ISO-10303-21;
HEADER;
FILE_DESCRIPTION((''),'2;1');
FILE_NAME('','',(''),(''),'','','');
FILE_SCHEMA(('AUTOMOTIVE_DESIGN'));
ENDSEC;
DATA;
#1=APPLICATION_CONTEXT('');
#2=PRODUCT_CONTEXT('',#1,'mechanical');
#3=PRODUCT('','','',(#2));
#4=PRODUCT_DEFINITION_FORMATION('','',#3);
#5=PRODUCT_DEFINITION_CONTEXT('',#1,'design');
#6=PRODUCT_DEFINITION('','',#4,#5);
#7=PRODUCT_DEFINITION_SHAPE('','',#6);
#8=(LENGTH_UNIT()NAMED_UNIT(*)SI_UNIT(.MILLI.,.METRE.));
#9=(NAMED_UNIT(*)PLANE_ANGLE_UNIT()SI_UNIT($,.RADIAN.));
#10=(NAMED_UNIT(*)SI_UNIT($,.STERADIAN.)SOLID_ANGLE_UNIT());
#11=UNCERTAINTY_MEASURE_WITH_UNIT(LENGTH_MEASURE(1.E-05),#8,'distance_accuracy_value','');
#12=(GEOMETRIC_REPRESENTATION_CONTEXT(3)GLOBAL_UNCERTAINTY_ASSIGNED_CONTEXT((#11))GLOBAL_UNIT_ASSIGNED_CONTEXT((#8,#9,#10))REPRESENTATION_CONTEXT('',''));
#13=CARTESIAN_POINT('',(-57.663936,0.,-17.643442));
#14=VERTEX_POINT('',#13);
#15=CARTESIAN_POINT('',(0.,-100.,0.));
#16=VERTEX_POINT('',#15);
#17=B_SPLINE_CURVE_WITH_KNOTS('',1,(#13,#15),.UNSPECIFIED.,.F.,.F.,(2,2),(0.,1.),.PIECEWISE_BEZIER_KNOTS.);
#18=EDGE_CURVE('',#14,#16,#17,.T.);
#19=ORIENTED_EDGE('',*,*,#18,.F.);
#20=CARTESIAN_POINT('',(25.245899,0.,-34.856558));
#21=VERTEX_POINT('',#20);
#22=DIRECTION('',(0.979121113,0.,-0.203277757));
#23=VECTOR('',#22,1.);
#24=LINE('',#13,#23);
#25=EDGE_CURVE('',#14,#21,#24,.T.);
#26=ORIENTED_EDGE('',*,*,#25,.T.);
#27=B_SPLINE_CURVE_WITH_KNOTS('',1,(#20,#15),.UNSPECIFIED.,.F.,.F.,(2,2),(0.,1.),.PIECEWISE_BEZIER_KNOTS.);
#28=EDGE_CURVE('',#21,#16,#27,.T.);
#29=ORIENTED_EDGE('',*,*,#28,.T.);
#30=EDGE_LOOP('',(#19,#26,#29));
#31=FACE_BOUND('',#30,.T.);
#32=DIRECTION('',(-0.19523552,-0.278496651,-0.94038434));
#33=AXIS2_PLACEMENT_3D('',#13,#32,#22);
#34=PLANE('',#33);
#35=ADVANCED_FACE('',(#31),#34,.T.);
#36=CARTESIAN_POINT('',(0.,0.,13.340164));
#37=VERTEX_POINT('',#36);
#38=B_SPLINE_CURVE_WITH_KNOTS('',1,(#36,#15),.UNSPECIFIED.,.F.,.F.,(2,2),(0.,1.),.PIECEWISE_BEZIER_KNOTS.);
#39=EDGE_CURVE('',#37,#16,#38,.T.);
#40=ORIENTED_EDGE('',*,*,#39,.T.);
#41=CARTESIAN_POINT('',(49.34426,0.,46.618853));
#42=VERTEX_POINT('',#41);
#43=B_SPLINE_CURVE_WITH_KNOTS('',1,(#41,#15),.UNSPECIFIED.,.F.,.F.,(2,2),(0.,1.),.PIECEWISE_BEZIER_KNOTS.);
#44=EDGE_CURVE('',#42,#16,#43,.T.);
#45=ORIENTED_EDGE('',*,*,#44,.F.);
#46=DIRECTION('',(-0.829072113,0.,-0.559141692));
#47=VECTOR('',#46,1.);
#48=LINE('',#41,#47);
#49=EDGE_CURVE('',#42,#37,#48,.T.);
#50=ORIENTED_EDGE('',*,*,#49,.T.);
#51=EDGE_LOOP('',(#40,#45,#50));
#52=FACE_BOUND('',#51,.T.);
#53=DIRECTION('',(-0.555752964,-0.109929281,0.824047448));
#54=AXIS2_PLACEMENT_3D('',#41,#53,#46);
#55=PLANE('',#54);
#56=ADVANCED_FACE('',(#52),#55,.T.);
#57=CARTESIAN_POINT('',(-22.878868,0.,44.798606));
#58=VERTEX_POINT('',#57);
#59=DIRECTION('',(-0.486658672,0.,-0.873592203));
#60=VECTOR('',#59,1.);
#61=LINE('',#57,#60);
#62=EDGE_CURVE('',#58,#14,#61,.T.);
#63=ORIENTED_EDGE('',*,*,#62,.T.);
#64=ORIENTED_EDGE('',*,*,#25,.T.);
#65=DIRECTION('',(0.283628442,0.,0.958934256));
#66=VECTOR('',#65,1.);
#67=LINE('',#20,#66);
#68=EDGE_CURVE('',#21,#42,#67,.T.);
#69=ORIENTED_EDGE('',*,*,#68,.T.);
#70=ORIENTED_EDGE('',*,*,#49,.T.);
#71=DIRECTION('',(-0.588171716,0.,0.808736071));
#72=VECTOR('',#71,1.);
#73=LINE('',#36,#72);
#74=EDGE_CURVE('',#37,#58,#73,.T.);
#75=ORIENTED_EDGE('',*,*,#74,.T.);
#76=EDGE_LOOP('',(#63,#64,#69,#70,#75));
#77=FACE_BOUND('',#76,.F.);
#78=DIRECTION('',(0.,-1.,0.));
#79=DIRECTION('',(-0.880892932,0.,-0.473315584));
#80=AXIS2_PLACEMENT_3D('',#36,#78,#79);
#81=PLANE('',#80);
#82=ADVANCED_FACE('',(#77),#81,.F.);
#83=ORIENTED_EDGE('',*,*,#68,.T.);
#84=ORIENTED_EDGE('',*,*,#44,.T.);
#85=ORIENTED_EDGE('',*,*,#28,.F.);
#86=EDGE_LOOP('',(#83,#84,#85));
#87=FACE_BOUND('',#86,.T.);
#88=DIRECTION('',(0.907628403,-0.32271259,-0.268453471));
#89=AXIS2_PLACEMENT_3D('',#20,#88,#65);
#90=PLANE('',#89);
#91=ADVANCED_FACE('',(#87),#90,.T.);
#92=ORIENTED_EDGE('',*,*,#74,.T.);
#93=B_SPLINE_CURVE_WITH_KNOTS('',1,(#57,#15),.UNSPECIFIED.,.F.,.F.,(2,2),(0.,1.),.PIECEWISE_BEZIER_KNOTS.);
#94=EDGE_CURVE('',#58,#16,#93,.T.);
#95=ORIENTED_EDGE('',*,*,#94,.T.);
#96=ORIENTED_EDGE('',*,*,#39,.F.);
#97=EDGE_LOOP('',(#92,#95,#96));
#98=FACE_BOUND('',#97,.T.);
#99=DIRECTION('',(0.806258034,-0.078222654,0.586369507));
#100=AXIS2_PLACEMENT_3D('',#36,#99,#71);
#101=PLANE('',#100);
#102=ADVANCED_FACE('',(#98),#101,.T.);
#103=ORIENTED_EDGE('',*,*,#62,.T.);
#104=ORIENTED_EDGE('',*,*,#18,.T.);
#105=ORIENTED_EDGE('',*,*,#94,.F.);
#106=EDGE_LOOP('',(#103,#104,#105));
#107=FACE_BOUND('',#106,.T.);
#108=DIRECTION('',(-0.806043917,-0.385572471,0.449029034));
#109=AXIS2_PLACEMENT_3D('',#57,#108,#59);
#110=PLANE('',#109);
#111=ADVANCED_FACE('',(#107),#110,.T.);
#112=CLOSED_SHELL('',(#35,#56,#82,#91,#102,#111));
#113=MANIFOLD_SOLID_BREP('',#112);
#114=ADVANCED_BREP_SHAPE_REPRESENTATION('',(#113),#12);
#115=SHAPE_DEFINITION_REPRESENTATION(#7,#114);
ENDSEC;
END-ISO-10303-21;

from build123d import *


with BuildPart() as f3:
    # F0 (on Front) → F3 section 0
    with BuildSketch(Plane.XZ, mode=Mode.PRIVATE) as f3_s0:
        Polygon((0, 13.340164), (-22.878868, 44.798606), (-57.663936, -17.643442), (25.245899, -34.856558), (49.34426, 46.618853), align=None)
    loft([f3_s0.sketch, Vertex(0, -100, 0)])


solid = f3.part
